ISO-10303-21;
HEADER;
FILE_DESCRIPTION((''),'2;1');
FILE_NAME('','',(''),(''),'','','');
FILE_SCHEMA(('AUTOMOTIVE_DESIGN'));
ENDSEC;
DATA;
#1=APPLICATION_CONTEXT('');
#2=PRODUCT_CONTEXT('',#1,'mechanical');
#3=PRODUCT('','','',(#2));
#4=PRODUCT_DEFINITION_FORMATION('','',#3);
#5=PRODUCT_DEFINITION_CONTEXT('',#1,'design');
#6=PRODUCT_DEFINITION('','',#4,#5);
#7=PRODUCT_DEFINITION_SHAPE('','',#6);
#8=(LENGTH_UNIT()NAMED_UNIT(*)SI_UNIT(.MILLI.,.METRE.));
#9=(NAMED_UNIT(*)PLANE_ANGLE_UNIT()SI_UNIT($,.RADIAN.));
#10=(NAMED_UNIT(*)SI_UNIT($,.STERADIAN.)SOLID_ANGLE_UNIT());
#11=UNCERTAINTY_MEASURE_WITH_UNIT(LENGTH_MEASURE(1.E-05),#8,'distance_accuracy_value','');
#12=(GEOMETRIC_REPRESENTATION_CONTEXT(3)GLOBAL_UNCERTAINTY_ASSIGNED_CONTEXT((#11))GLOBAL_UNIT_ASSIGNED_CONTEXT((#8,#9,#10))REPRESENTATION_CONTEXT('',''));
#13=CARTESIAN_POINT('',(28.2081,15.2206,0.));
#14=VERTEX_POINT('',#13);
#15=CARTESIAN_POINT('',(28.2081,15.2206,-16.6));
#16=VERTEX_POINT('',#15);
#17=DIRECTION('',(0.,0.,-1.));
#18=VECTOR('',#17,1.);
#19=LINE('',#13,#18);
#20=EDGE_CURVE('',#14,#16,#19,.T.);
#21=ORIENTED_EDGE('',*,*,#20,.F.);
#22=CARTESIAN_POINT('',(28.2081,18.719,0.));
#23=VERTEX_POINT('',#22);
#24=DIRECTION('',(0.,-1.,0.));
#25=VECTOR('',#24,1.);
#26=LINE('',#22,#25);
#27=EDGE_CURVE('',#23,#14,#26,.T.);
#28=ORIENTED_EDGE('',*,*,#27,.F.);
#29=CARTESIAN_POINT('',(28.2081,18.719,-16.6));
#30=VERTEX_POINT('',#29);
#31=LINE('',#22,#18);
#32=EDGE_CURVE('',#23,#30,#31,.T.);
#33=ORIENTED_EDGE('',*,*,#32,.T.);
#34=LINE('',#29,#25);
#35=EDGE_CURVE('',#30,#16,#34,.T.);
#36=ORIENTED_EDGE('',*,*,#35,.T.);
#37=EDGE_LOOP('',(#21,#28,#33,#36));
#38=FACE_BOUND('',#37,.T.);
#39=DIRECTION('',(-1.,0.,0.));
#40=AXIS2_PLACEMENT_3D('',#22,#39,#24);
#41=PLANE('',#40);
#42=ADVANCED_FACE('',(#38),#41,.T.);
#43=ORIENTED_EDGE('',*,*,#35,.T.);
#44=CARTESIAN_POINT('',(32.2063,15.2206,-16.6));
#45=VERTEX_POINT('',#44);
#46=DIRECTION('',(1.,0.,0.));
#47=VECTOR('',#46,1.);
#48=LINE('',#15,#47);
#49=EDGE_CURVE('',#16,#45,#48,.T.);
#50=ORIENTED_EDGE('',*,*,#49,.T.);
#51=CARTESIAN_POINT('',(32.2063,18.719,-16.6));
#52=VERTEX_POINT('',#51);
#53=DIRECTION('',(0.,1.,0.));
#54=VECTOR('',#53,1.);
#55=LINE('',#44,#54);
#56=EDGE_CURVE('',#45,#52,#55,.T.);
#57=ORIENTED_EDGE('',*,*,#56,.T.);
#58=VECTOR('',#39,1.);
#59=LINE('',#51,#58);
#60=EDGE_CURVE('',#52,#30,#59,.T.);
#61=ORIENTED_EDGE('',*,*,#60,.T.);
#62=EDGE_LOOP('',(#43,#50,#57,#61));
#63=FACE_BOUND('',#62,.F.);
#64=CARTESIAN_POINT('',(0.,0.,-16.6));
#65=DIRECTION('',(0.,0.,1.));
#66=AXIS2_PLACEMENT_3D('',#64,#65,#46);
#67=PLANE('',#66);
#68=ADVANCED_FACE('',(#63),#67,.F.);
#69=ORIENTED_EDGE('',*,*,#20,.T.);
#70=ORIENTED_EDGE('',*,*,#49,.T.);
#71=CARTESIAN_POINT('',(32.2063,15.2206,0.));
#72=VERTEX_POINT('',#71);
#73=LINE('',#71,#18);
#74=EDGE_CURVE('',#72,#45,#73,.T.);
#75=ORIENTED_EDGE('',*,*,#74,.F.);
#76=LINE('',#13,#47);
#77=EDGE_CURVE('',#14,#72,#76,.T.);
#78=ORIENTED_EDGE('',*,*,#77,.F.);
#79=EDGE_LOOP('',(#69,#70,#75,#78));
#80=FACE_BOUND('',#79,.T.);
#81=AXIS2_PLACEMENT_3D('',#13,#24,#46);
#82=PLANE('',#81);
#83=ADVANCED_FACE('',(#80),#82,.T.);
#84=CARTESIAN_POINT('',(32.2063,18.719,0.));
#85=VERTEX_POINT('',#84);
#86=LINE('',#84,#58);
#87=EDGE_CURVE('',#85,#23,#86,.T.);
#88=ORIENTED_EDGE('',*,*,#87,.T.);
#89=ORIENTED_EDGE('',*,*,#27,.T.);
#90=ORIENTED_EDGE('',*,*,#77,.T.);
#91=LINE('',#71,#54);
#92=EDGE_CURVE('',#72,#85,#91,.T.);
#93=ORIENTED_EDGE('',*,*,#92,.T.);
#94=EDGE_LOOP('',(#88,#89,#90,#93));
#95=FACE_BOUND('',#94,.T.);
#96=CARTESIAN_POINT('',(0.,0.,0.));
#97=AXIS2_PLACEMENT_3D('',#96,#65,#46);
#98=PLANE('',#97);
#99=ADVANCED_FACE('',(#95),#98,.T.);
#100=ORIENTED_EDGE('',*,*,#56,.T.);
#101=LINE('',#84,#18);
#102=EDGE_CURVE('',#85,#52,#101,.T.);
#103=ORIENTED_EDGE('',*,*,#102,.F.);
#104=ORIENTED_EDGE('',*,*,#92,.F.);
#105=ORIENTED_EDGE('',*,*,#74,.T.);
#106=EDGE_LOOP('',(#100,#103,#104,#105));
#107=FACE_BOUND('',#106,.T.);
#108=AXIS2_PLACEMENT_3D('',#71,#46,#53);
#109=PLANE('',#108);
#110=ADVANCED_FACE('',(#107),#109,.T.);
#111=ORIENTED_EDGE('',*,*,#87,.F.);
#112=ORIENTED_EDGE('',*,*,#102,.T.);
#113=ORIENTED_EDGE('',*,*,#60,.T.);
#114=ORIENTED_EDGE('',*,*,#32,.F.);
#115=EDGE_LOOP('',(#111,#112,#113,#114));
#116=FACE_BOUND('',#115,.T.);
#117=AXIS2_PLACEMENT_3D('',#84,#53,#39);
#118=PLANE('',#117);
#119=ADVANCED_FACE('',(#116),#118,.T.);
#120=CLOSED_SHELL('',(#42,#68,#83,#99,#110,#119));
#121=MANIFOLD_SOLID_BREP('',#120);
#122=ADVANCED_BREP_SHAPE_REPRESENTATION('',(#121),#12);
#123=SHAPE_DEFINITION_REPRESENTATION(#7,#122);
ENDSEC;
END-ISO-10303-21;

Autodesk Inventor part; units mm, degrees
ref_plane "YZ Plane" through (0, 0, 0) normal (1, 0, 0) x (0, 1, 0)
ref_plane "XZ Plane" through (0, 0, 0) normal (0, 1, 0) x (-1, 0, 0)
ref_plane "XY Plane" through (0, 0, 0) normal (0, 0, 1) x (1, 0, 0)
sketch "Sketch1" plane through (0, 0, 0) normal (0, 0, 1) x (1, 0, 0)
  line L0 (0, 0) -> (0, 18) construction
  line L1 (0, 9) -> (0, 2.915) construction
  line L2 (0, 9) -> (0, 15.085) construction
  line L3 (0, 2.915) -> (0, 0) construction
  line L4 (0, 15.085) -> (0, 18) construction
  circle A0 centre (0, 1.4575) radius 1.4575 construction
  circle A1 centre (0, 16.5425) radius 1.4575 construction
  line L5 (0, 9) -> (0, 13.525) construction
  line L6 (0, 9) -> (0, 4.475) construction
  line L7 (-0.8, 4.475) -> (0.8, 4.475)
  line L8 (0.8, 4.475) -> (0.8, 13.525)
  line L9 (0.8, 13.525) -> (-0.8, 13.525)
  line L10 (-0.8, 13.525) -> (-0.8, 4.475)
  line L11 (-0.8, 4.475) -> (0.8, 13.525) construction
  line L12 (0.8, 4.475) -> (-0.8, 13.525) construction
  line L13 (1.4575, 1.4575) -> (9.7575, 1.4575) construction
  line L14 (1.4575, 1.4575) -> (5.0575, 1.4575) construction
  line L15 (5.0575, 1.4575) -> (9.7575, 1.4575) construction
  line L16 (9.7575, 0.5075) -> (5.0575, 0.5075)
  line L17 (5.0575, 0.5075) -> (5.0575, 2.4075)
  line L18 (5.0575, 2.4075) -> (9.7575, 2.4075)
  line L19 (9.7575, 2.4075) -> (9.7575, 0.5075)
  line L20 (9.7575, 0.5075) -> (5.0575, 2.4075) construction
  line L21 (5.0575, 0.5075) -> (9.7575, 2.4075) construction
  line L22 (-0.8, 9) -> (24.8, 9) construction
  line L23 (-0.8, 9) -> (19.2, 9) construction
  line L24 (19.2, 9) -> (24.8, 9) construction
  circle A2 centre (22, 9) radius 2.8
  line L25 (-1.4575, 1.4575) -> (-2.4575, 1.4575) construction
  line L26 (0, 0) -> (0, -1) construction
  line L27 (-2.4575, -1) -> (32.5425, -1)
  line L28 (32.5425, -1) -> (32.5425, 19)
  line L29 (32.5425, 19) -> (-2.4575, 19)
  line L30 (-2.4575, 19) -> (-2.4575, -1)
  line L31 (0, 1.4575) -> (7.408, 1.4577) construction
  line L32 (22, 9) -> (0, 9) construction
  point P0 (7.4075, 1.4575)
  dimension "d23" = 5.6
  dimension "d0" = 18
  dimension "d1" = 6.085
  dimension "d3" = 12.17
  dimension "d5" = 4.525
  dimension "d6" = 9.05
  dimension "d7" = 1.6
  dimension "d8" = 8.3
  dimension "d9" = 3.6
  dimension "d10" = 1.9
  dimension "d11" = 25.6
  dimension "d12" = 20
  dimension "d13" = 1
  dimension "d14" = 1
  dimension "d15" = 35
  dimension "d16" = 20
  dimension "d19" = 7.5425
  dimension "d20" = 7.408
  dimension "d21" = 4.7
  dimension "d22" = 22
sketch "Sketch2" plane through (0, 0, 0) normal (0, 0, 1) x (1, 0, 0)
  line L0 (32.2063, 18.719) -> (28.2081, 18.719)
  line L1 (28.2081, 18.719) -> (28.2081, 15.2206)
  line L2 (28.2081, 15.2206) -> (32.2063, 15.2206)
  line L3 (32.2063, 15.2206) -> (32.2063, 18.719)
  point P0 (0, 0)
extrude "Extrusion1" add sketch "Sketch2" against normal blind 16.6
properties part number "Electromagnet Measurements"
